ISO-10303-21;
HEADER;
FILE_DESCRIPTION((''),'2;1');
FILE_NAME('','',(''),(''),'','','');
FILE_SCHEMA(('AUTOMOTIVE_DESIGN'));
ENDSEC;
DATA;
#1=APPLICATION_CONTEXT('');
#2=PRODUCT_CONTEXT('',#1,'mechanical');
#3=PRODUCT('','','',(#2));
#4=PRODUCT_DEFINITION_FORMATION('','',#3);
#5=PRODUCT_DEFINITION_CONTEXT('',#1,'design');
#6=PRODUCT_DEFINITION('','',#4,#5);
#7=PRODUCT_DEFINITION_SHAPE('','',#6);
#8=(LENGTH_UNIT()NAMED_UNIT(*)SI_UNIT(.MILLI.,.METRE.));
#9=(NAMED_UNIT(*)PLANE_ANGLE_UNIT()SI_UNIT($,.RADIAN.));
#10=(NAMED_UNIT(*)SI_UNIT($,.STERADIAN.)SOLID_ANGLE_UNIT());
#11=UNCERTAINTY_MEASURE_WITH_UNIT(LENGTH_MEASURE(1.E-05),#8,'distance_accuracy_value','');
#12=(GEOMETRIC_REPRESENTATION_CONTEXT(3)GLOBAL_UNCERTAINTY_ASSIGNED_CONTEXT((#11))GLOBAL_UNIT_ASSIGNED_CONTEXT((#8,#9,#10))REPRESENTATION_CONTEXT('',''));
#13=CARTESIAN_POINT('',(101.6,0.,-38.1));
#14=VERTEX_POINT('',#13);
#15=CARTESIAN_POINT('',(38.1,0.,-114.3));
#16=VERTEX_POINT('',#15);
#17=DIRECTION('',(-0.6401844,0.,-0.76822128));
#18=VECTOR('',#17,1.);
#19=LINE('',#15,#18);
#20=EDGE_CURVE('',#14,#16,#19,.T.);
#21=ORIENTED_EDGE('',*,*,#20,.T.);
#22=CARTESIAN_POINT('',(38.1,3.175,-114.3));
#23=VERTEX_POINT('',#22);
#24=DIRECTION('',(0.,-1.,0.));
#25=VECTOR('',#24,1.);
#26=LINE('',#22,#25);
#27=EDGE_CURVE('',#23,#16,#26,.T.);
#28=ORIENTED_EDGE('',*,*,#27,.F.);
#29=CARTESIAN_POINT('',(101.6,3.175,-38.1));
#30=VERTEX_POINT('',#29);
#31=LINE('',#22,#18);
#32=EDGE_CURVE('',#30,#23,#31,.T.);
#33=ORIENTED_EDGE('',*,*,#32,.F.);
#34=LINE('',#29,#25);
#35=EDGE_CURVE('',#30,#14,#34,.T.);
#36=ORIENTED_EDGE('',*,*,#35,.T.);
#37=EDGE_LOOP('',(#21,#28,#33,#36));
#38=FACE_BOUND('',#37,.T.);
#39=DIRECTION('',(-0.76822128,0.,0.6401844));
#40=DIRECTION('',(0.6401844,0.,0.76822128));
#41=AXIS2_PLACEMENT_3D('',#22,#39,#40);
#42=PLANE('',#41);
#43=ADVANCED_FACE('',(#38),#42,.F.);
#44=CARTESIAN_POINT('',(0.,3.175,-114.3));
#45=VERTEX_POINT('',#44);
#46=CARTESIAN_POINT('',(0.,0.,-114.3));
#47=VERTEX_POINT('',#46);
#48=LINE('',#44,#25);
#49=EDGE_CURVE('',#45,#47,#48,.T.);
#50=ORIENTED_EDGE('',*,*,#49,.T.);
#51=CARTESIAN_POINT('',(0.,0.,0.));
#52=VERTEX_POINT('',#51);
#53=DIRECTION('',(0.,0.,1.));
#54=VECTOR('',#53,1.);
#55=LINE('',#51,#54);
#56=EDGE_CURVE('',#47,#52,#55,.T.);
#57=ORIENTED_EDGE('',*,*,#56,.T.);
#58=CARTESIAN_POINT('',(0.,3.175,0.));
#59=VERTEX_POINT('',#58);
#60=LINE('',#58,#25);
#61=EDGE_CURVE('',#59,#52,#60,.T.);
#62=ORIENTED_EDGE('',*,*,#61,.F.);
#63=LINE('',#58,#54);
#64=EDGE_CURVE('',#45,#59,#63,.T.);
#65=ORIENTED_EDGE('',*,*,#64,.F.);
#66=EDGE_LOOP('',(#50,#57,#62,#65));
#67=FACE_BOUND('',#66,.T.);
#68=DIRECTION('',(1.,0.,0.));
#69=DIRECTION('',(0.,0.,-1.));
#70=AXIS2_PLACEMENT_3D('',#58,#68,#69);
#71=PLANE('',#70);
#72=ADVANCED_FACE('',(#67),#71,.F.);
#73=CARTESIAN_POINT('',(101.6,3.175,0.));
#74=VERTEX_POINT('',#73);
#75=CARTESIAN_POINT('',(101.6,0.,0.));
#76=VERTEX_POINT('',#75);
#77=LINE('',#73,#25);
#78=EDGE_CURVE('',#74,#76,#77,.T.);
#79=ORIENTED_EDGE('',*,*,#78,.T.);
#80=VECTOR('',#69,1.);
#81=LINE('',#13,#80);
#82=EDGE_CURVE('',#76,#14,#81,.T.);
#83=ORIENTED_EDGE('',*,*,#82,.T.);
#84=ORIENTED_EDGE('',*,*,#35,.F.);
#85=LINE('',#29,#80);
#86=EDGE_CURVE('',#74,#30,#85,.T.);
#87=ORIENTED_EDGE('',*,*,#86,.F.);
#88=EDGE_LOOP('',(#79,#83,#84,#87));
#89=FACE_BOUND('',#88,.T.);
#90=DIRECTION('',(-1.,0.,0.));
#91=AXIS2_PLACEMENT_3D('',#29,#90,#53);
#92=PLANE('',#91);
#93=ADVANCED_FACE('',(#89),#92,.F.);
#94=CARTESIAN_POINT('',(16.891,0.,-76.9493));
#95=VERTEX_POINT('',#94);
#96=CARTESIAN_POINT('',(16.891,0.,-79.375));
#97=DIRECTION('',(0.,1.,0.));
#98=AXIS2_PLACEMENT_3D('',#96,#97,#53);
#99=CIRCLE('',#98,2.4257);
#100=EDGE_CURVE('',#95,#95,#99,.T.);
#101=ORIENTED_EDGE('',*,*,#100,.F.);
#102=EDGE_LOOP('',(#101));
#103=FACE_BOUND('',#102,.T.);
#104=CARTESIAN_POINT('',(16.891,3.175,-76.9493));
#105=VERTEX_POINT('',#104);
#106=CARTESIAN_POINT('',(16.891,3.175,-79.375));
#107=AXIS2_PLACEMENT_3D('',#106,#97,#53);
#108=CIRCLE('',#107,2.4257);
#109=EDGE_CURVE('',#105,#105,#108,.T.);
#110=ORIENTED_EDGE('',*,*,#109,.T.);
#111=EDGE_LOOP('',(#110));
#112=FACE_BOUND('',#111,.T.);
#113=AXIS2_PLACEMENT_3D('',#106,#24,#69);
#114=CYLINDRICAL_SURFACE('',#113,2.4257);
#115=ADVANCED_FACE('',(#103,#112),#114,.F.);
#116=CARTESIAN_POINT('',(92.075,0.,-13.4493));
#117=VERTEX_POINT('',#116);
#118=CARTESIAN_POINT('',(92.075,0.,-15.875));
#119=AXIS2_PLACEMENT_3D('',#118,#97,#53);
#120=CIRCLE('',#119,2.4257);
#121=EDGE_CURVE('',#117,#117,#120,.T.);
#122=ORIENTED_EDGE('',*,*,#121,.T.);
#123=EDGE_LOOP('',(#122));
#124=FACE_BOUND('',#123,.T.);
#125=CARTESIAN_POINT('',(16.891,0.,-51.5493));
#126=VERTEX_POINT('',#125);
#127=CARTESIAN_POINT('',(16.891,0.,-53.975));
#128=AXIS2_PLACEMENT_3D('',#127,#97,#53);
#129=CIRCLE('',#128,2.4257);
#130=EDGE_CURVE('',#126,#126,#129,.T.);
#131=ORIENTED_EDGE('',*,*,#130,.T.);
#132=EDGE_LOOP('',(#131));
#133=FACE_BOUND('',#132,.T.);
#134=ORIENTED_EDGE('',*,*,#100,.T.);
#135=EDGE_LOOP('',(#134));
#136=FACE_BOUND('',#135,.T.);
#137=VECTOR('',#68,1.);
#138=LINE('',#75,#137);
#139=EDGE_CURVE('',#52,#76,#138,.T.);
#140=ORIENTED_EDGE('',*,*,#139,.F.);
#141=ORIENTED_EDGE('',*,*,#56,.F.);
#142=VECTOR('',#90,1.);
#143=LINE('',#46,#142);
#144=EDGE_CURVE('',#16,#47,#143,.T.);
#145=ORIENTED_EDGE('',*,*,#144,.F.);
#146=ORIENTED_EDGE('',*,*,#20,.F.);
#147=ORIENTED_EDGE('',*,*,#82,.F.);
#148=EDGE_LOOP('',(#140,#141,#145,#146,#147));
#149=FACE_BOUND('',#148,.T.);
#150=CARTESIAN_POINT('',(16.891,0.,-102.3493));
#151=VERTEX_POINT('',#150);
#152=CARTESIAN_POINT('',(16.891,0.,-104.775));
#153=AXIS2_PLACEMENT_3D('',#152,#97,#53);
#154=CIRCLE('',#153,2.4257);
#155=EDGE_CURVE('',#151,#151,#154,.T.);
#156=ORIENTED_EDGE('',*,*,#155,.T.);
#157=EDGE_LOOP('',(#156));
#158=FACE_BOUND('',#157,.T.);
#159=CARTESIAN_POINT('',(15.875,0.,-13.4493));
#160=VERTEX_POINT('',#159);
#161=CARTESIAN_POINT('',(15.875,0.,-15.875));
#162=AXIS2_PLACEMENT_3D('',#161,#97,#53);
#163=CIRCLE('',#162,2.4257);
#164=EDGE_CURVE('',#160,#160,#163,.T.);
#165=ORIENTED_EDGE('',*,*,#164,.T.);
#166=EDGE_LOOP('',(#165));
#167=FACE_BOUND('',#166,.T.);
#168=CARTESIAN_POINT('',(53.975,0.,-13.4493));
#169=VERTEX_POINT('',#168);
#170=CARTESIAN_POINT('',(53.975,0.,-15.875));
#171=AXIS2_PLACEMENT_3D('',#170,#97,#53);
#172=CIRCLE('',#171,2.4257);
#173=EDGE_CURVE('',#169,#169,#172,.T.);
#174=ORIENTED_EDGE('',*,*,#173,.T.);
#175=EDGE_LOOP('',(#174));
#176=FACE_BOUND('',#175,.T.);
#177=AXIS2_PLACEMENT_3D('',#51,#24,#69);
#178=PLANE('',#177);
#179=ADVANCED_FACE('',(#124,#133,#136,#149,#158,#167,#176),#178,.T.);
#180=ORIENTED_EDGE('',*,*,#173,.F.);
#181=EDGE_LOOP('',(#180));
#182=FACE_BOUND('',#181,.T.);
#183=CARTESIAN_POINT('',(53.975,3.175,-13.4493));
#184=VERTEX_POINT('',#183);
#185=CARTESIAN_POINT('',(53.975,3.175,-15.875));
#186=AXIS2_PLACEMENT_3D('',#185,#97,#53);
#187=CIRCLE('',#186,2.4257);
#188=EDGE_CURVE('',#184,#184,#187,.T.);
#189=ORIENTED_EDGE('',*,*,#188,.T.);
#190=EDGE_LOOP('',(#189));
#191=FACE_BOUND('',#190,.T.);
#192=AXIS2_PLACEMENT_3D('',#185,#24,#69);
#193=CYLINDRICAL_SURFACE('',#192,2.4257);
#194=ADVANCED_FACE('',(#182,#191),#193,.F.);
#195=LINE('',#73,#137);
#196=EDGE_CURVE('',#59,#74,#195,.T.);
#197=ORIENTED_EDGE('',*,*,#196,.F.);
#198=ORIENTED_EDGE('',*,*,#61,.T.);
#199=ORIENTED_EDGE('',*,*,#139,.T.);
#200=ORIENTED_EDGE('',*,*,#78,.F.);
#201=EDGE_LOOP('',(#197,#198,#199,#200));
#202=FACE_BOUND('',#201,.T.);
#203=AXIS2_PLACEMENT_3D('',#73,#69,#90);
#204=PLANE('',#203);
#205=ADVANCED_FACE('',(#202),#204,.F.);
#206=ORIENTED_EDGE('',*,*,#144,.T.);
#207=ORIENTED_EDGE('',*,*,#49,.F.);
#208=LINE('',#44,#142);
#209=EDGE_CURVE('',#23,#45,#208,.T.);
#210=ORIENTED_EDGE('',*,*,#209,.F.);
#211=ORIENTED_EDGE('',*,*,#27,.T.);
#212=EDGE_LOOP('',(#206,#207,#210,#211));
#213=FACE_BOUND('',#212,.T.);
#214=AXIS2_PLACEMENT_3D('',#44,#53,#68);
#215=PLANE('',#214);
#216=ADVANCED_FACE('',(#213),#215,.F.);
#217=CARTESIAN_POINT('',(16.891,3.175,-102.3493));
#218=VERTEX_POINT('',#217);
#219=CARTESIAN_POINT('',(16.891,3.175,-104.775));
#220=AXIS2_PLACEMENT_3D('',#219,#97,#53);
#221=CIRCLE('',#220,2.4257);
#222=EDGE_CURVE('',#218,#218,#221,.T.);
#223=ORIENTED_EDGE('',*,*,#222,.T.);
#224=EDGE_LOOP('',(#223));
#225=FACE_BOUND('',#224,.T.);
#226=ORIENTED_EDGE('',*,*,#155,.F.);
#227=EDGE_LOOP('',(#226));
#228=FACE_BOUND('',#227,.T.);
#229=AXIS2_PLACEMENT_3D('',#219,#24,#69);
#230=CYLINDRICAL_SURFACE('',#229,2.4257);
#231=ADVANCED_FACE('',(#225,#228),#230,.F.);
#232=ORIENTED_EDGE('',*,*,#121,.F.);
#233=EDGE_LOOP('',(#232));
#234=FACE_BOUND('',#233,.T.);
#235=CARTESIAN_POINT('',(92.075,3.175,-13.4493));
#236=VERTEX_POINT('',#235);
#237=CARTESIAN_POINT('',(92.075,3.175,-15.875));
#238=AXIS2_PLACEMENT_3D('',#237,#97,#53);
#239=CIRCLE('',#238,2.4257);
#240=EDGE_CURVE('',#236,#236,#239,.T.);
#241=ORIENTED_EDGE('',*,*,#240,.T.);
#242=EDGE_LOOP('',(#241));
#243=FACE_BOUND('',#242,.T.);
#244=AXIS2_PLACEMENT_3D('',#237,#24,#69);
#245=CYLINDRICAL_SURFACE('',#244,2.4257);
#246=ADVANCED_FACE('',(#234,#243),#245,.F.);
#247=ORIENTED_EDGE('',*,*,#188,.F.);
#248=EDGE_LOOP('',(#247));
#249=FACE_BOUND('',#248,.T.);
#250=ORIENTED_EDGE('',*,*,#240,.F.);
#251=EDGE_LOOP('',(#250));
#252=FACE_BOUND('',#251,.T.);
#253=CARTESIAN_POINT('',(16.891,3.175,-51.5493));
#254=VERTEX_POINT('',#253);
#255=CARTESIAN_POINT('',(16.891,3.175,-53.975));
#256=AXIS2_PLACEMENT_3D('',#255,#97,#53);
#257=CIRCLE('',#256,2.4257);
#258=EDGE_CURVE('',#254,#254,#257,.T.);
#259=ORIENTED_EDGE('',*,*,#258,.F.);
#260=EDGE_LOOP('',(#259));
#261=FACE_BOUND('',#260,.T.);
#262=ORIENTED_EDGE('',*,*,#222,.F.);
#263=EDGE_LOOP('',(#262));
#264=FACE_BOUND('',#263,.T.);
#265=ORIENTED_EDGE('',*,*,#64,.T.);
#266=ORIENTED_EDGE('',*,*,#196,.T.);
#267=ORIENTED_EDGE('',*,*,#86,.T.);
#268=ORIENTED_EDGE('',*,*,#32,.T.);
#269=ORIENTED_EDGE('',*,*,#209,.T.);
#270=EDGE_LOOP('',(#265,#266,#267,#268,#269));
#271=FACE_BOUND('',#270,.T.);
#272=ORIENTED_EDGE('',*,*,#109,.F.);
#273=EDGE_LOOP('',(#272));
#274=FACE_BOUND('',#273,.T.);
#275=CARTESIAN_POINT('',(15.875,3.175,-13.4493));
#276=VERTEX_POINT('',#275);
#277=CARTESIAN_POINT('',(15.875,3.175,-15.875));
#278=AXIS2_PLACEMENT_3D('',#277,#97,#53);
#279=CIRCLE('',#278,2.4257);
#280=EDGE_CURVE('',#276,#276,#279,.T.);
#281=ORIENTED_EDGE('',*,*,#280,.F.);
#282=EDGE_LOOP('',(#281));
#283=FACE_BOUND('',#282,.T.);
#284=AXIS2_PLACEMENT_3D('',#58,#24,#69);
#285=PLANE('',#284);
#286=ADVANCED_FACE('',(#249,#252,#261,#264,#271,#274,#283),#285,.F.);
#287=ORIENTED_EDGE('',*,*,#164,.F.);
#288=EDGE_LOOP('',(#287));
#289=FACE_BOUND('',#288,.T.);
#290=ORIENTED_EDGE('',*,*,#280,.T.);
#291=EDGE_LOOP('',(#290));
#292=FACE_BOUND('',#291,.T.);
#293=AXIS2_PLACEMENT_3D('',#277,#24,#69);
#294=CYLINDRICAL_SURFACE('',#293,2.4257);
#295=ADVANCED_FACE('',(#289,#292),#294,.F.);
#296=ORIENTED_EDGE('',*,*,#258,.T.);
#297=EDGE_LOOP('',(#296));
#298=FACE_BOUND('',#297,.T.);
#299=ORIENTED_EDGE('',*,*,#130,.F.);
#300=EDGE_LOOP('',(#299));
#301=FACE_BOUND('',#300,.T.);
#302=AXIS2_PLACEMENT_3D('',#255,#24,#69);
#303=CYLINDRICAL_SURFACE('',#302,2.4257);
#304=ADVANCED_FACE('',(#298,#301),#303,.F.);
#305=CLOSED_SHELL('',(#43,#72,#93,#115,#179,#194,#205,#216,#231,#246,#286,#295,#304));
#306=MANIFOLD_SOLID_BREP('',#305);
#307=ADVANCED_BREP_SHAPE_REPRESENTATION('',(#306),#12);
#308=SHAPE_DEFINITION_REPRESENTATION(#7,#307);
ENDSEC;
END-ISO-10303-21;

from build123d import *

# Parameters (mm, degrees)
SKETCH1_R           = 2.4257
BOSS_EXTRUDE1_DEPTH = 3.175


with BuildPart() as part:
    # Sketch1 → Boss-Extrude1 (new body)
    with BuildSketch(Plane(origin=(0, 0, 0), x_dir=(1, 0, 0), z_dir=(0, 1, 0))):
        Polygon((0, 0), (0, 114.3), (38.1, 114.3), (101.6, 38.1), (101.6, 0), align=None)
        with Locations(Location((15.875, 15.875, 0), (0, 0, 270))):
            Circle(SKETCH1_R, mode=Mode.SUBTRACT)
        with Locations(Location((53.975, 15.875, 0), (0, 0, 270))):
            Circle(SKETCH1_R, mode=Mode.SUBTRACT)
        with Locations(Location((92.075, 15.875, 0), (0, 0, 270))):
            Circle(SKETCH1_R, mode=Mode.SUBTRACT)
        with Locations(Location((16.891, 53.975, 0), (0, 0, 270))):
            Circle(SKETCH1_R, mode=Mode.SUBTRACT)
        with Locations(Location((16.891, 79.375, 0), (0, 0, 270))):
            Circle(SKETCH1_R, mode=Mode.SUBTRACT)
        with Locations(Location((16.891, 104.775, 0), (0, 0, 270))):
            Circle(SKETCH1_R, mode=Mode.SUBTRACT)
    extrude(amount=BOSS_EXTRUDE1_DEPTH)


solid = part.part
